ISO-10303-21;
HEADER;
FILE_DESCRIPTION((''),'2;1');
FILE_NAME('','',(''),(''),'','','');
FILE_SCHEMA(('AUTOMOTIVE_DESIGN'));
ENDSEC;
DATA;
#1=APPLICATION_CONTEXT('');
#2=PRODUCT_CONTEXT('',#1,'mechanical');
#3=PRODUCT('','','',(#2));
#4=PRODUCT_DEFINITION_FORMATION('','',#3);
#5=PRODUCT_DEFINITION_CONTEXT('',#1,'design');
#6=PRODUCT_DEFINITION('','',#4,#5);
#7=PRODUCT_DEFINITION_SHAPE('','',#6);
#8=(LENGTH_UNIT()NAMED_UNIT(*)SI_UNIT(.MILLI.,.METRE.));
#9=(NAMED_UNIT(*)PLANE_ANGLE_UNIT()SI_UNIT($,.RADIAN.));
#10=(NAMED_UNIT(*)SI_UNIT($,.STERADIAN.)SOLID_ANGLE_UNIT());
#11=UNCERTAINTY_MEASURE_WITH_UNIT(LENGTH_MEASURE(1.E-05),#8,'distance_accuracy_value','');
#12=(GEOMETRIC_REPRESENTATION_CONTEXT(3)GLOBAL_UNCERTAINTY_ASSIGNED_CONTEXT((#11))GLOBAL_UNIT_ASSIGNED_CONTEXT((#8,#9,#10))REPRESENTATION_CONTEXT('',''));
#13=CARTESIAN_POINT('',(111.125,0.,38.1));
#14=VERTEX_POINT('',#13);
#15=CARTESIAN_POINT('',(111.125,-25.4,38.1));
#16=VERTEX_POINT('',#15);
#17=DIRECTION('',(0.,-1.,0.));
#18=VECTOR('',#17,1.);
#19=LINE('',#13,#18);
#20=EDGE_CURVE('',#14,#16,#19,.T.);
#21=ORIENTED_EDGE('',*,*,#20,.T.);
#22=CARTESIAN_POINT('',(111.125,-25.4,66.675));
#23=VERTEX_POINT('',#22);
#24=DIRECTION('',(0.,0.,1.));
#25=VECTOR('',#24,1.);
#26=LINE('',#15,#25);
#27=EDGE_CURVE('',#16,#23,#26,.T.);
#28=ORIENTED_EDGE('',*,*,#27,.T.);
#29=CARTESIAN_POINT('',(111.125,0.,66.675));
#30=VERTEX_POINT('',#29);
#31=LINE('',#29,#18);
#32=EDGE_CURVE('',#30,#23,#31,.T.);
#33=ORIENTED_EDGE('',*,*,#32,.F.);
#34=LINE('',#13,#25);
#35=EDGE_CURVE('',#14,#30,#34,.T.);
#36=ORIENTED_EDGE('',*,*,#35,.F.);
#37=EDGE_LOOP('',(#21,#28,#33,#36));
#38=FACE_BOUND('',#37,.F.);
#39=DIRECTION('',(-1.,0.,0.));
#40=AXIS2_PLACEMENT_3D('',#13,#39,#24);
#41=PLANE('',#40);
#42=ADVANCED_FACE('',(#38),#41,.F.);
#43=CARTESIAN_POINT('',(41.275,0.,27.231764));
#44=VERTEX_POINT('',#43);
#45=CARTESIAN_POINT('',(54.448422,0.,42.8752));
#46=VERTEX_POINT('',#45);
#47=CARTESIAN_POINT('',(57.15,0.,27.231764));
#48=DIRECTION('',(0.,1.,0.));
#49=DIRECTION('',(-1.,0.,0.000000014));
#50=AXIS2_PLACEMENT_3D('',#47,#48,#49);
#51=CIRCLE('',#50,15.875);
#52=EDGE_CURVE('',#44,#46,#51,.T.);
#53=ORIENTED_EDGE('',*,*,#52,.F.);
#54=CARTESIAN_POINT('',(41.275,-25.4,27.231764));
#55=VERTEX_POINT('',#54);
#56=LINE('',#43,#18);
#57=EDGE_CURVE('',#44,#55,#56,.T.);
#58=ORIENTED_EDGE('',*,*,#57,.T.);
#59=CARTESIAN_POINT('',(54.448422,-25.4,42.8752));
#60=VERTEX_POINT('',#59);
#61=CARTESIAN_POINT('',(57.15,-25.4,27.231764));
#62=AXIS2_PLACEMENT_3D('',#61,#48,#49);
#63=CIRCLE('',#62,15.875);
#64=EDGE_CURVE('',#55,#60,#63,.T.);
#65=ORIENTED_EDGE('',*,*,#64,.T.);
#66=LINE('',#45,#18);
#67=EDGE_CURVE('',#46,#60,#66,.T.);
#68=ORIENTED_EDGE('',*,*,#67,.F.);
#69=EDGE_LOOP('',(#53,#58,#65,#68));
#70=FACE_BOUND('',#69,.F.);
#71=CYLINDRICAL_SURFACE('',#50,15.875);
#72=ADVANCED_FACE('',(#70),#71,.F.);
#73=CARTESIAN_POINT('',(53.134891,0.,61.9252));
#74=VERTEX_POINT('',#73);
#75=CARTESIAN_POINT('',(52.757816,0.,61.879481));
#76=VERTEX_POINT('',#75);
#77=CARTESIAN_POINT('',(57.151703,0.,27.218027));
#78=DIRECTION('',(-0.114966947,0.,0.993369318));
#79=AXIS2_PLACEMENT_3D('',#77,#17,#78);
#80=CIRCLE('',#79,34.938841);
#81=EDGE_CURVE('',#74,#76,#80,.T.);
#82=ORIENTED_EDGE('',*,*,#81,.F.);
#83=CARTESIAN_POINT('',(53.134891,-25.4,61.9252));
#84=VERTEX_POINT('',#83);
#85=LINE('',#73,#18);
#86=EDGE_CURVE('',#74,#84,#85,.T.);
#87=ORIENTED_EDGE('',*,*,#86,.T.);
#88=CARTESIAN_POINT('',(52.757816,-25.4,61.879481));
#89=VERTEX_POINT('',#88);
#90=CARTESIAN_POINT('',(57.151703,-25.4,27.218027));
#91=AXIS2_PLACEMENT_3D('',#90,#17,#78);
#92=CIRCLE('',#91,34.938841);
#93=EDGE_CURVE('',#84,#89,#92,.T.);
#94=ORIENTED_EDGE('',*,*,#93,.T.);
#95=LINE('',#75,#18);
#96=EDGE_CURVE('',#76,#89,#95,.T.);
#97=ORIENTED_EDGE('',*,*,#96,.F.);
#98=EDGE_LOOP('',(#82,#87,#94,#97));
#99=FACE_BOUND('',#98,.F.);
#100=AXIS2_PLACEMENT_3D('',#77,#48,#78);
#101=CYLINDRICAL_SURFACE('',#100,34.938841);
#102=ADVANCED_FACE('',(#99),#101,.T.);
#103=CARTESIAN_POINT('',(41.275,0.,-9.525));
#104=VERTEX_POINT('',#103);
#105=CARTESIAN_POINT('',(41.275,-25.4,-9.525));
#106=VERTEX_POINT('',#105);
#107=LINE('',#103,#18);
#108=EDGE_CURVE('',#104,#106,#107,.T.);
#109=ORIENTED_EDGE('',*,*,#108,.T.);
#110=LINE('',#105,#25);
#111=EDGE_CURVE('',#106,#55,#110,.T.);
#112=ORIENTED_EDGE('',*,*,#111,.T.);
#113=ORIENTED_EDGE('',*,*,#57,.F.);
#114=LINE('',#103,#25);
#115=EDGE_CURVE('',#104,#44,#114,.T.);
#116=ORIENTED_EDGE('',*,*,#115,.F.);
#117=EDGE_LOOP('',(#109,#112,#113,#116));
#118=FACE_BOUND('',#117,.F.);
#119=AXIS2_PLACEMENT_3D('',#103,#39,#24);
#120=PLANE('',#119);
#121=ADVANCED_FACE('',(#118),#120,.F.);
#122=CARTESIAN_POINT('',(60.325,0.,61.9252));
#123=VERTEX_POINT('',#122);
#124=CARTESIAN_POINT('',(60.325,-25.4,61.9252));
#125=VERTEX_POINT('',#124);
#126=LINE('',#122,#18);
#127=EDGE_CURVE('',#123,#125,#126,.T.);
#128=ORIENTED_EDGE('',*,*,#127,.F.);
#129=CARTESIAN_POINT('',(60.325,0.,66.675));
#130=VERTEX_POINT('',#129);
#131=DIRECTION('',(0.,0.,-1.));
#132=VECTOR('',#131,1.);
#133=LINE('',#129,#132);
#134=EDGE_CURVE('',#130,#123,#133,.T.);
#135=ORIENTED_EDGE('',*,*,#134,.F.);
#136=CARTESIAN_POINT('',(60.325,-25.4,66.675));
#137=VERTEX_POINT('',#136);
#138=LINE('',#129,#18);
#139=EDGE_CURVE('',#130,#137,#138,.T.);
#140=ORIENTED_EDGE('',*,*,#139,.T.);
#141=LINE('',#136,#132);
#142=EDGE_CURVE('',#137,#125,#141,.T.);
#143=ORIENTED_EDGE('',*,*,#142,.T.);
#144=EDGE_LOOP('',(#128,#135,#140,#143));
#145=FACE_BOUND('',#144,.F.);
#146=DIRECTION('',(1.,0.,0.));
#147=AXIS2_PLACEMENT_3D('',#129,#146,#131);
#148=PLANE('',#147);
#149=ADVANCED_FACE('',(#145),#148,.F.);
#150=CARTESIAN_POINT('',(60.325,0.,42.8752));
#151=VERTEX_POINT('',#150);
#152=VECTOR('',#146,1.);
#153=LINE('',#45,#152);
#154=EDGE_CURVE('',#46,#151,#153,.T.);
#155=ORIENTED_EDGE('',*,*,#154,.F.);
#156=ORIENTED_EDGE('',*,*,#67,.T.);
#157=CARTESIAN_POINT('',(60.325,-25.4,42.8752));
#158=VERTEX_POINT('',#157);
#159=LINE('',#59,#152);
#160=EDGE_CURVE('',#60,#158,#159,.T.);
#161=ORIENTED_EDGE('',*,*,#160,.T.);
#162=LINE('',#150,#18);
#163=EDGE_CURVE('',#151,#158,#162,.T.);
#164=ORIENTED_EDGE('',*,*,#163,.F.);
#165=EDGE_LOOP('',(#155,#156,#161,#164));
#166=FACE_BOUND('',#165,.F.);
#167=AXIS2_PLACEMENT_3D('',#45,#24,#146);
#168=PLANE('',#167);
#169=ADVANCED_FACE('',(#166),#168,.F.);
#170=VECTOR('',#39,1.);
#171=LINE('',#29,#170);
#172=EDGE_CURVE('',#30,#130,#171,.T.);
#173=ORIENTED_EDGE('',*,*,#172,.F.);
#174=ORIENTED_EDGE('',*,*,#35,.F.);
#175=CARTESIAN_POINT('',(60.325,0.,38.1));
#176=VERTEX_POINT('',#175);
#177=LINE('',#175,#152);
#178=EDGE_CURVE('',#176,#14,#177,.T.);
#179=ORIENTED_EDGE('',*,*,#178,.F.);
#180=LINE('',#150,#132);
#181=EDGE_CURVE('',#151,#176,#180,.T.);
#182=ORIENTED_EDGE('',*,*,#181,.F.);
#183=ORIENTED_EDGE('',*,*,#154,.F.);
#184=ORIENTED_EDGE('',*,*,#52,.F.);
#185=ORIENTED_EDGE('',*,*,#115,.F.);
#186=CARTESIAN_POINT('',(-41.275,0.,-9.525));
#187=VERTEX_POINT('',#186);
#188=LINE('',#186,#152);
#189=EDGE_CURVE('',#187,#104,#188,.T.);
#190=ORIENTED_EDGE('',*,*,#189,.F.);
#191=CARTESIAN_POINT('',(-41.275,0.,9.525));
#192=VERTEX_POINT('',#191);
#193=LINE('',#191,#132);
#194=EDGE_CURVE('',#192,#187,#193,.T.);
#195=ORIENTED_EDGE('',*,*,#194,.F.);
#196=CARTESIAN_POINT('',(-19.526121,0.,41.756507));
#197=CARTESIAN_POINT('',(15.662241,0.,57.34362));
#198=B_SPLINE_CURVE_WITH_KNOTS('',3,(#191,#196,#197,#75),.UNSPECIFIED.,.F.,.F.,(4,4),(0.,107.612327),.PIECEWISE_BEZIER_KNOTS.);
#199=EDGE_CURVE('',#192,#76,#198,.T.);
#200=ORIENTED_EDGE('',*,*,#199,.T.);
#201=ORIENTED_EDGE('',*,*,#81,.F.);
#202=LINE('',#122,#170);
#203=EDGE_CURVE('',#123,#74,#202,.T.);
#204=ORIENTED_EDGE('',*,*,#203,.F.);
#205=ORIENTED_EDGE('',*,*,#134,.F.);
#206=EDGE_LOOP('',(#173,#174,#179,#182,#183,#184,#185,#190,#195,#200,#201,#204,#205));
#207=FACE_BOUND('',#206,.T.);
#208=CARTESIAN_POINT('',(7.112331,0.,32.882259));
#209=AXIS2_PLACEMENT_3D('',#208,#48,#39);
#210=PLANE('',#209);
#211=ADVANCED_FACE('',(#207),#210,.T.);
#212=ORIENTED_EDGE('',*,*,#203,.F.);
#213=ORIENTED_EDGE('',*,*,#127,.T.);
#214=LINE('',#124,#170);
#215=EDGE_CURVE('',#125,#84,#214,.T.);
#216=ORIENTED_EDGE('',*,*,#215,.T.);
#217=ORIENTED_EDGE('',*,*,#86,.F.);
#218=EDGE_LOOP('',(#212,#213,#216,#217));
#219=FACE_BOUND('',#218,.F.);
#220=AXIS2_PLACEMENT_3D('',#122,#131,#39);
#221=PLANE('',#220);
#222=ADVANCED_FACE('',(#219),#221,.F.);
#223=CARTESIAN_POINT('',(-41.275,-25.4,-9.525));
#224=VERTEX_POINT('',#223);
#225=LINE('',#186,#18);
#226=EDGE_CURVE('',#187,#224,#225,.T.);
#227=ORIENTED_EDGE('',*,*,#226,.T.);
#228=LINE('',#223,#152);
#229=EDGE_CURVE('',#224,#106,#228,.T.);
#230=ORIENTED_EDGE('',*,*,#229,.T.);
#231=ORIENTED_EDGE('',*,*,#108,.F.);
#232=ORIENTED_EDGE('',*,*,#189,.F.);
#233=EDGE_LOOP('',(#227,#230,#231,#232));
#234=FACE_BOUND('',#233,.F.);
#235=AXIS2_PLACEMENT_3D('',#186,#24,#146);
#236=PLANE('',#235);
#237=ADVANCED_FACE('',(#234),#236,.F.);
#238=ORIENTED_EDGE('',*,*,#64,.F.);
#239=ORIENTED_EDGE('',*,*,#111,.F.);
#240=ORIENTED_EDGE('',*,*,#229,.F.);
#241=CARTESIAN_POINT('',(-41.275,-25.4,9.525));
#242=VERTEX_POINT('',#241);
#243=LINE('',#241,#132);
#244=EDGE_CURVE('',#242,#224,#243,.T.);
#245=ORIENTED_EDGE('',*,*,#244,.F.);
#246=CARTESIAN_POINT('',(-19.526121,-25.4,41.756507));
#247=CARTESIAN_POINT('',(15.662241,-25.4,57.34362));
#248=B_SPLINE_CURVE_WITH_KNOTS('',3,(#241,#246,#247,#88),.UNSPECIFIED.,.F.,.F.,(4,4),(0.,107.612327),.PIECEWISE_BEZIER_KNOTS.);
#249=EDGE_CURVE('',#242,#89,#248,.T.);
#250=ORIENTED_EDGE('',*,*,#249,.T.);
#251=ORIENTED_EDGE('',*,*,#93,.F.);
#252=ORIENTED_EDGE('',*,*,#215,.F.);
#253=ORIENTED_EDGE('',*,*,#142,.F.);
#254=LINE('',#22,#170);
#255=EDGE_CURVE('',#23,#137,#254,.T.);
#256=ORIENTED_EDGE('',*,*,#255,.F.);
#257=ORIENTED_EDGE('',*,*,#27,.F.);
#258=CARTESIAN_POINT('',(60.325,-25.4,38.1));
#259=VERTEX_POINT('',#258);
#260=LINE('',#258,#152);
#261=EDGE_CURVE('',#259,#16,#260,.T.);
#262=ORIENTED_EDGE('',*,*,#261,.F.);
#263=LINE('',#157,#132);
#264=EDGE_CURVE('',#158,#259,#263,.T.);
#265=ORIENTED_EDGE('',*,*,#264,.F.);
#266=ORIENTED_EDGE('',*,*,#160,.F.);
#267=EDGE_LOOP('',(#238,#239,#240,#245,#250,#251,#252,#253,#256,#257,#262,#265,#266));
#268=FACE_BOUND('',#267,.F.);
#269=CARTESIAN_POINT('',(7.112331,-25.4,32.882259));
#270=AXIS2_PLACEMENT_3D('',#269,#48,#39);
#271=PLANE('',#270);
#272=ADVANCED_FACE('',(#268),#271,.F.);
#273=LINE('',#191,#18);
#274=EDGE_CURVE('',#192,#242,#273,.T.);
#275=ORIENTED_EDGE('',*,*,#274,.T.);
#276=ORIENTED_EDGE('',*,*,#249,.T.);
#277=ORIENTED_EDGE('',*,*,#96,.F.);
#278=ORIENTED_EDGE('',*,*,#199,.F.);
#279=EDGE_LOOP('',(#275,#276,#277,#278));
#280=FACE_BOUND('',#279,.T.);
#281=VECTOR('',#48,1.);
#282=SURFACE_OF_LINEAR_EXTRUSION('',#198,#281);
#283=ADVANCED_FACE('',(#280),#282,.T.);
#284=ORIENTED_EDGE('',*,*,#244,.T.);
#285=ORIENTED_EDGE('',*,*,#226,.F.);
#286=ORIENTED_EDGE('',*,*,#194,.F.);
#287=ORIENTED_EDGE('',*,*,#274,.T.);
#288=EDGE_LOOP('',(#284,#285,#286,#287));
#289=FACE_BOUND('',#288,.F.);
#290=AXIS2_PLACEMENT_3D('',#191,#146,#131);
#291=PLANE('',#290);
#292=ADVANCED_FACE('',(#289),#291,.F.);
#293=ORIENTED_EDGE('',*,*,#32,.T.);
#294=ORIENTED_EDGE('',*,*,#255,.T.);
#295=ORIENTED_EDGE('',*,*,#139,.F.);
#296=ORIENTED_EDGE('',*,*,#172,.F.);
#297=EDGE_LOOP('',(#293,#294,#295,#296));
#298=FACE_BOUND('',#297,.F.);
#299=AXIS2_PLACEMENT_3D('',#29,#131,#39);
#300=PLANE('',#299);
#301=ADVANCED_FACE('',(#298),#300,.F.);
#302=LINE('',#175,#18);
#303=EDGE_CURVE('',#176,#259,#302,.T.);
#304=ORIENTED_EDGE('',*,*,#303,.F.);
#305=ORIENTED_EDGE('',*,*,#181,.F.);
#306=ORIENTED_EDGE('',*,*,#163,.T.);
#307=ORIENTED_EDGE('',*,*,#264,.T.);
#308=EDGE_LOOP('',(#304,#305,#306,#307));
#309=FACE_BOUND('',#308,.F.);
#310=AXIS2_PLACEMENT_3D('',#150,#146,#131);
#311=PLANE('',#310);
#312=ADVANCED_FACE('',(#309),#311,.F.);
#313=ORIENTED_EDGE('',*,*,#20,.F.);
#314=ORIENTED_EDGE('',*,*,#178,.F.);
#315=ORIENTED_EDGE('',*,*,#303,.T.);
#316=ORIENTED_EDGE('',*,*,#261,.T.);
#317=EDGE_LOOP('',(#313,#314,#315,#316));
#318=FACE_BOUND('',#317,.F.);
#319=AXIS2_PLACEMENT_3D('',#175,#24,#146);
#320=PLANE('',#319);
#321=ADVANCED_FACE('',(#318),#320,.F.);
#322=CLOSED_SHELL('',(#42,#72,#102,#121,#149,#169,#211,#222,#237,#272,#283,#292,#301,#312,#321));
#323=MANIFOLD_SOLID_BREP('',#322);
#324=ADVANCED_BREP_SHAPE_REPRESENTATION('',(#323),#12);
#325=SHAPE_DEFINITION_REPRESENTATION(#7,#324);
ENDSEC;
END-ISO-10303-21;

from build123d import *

# Parameters (mm, degrees)
F1_DEPTH = 25.4


with BuildPart() as f1:
    # F0 (on Front) → F1 (new body)
    with BuildSketch(Plane.XZ):
        with BuildLine():
            add(Edge.make_bspline(
                [(-41.275, 9.525), (-19.526121, 41.756507), (15.662241, 57.34362), (52.757816, 61.879481)],
                knots=[0, 0, 0, 0, 107.612327, 107.612327, 107.612327, 107.612327], degree=3))
            Line((-41.275, 9.525), (22.225, 9.525))
            Line((22.225, 9.525), (22.225, 27.231764))
            ThreePointArc((22.225, 27.231764), (30.947399, 50.322439), (52.757816, 61.879481))
        make_face()
        Polygon((22.225, 9.525), (-41.275, 9.525), (-41.275, -9.525), (41.275, -9.525), (41.275, 9.525), align=None)
        with BuildLine():
            Line((22.225, 27.231764), (22.225, 9.525))
            Line((22.225, 9.525), (41.275, 9.525))
            Line((41.275, 9.525), (41.275, 27.231764))
            ThreePointArc((41.275, 27.231764), (45.007035, 37.457419), (54.448422, 42.8752))
            Line((54.448422, 42.8752), (60.325, 42.8752))
            Line((60.325, 42.8752), (60.325, 61.9252))
            Line((60.325, 61.9252), (53.134891, 61.9252))
            add(Edge.make_bspline(
                [(52.757816, 61.879481), (52.883486, 61.894848), (53.009178, 61.910087), (53.134891, 61.9252)],
                knots=[107.612327, 107.612327, 107.612327, 107.612327, 107.976889, 107.976889, 107.976889, 107.976889], degree=3))
            ThreePointArc((52.757816, 61.879481), (30.947399, 50.322439), (22.225, 27.231764))
        make_face()
        with BuildLine():
            ThreePointArc((53.134891, 61.9252), (52.946292, 61.902853), (52.757816, 61.879481))
            add(Edge.make_bspline(
                [(52.757816, 61.879481), (52.883486, 61.894848), (53.009178, 61.910087), (53.134891, 61.9252)],
                knots=[107.612327, 107.612327, 107.612327, 107.612327, 107.976889, 107.976889, 107.976889, 107.976889], degree=3))
        make_face()
        Polygon((60.325, 66.675), (60.325, 61.9252), (60.325, 42.8752), (85.748771, 42.8752), (85.867248, 66.675), align=None)
        Polygon((85.748771, 42.8752), (60.325, 42.8752), (60.325, 38.1), (85.725, 38.1), align=None)
        Polygon((85.867248, 66.675), (85.748771, 42.8752), (85.725, 38.1), (111.125, 38.1), (111.125, 66.675), align=None)
    extrude(amount=F1_DEPTH)


solid = f1.part
